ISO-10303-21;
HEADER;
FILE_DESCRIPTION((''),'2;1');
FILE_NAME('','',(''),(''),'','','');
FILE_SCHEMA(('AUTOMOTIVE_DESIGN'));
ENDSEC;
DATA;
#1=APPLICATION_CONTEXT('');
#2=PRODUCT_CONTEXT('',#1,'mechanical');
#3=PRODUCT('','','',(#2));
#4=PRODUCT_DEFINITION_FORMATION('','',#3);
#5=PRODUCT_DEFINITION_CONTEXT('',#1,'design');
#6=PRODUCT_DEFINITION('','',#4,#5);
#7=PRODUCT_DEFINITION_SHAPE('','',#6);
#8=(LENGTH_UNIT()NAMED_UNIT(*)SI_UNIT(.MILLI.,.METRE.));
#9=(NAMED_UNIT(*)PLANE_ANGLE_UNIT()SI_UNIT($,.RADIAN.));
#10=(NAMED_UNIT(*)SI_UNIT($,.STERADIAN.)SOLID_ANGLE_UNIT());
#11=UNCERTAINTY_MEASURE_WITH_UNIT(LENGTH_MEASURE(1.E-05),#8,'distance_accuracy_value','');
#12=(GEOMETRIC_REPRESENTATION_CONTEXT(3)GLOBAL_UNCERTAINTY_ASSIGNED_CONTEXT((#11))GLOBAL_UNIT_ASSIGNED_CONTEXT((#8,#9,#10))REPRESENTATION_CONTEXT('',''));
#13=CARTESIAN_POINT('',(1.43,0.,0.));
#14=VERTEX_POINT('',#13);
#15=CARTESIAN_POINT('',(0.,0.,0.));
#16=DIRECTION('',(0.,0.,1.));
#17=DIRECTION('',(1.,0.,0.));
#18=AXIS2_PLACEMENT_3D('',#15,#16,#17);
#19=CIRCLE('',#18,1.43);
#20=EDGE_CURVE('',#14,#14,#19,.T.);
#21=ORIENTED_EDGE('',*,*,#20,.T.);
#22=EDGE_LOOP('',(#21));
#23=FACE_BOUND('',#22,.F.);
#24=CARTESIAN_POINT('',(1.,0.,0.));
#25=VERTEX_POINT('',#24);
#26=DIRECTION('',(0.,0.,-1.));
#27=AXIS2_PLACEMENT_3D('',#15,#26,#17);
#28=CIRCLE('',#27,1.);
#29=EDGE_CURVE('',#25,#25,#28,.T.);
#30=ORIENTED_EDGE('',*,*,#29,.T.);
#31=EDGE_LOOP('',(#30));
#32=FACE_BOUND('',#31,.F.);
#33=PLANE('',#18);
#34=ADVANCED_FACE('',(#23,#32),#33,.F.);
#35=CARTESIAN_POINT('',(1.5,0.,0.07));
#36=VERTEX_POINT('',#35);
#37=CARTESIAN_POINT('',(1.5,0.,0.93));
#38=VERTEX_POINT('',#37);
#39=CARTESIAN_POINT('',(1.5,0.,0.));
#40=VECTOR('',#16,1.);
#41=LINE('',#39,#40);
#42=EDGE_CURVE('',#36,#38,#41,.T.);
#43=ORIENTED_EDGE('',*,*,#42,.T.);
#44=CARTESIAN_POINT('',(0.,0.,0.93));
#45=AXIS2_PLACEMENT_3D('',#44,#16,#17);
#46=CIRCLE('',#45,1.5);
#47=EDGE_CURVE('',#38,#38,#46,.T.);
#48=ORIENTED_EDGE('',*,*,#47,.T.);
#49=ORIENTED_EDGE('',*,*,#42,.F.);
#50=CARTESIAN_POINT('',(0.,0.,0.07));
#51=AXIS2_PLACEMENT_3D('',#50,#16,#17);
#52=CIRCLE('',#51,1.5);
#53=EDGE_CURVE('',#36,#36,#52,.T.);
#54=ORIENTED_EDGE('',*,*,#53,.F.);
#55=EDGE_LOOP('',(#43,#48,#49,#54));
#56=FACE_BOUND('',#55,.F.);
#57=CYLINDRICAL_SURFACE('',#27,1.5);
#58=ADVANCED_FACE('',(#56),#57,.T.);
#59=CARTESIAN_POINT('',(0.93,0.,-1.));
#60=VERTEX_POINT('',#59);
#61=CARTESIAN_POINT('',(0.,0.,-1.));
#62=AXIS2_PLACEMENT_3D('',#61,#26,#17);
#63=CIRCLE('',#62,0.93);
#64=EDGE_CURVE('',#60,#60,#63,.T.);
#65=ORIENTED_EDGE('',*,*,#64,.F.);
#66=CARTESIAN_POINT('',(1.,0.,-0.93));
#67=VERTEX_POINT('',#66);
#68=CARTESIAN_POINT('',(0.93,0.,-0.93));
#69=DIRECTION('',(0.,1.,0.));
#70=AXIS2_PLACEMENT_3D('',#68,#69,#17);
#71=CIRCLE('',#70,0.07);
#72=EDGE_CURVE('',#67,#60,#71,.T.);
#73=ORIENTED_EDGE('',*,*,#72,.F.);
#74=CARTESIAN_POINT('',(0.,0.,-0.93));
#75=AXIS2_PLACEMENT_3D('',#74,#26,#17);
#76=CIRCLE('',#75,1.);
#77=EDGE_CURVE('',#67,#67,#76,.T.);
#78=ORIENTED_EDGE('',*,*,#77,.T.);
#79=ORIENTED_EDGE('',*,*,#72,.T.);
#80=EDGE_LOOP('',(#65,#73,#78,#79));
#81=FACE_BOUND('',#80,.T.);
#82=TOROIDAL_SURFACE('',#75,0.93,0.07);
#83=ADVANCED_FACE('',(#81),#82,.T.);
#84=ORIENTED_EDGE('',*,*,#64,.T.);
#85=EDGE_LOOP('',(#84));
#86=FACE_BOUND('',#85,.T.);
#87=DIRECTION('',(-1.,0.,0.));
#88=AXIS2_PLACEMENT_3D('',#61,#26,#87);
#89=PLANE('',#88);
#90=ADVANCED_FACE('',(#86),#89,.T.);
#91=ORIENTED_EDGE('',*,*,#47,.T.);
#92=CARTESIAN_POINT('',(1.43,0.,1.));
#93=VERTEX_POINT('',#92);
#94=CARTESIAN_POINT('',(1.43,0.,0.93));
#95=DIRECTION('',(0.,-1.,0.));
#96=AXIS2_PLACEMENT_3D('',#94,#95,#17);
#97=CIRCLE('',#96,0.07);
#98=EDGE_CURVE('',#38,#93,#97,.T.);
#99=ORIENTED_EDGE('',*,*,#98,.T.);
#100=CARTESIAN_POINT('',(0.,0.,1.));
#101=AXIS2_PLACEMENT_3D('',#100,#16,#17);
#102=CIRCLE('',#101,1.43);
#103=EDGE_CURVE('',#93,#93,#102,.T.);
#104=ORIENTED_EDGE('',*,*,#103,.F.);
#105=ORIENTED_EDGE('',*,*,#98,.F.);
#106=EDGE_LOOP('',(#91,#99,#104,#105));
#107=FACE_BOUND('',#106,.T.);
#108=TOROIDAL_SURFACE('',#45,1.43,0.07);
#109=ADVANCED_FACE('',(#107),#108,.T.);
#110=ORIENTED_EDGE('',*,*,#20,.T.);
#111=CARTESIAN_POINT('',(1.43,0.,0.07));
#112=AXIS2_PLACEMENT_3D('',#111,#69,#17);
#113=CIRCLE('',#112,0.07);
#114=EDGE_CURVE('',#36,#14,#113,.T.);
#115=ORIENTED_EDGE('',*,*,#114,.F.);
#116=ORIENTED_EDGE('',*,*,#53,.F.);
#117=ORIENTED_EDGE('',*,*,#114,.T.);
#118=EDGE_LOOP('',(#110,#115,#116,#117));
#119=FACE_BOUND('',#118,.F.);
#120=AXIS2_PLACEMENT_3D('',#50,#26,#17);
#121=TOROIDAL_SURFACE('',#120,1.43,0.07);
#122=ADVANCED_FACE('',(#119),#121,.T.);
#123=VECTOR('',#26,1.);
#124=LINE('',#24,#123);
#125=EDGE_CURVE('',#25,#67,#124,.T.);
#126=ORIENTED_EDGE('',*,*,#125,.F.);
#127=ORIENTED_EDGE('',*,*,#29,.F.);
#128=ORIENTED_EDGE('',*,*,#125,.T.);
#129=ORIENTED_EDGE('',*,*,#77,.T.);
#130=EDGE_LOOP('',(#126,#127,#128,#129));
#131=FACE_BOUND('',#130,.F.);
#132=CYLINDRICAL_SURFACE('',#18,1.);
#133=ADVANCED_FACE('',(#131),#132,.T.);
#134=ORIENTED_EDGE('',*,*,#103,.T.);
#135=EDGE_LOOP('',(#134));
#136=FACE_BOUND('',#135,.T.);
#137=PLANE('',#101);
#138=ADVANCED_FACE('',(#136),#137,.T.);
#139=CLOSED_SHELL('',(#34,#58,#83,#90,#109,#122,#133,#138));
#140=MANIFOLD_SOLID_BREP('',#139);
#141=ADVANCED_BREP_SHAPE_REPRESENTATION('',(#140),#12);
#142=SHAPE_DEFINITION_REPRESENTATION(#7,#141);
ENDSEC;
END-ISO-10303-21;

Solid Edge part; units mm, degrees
sketch "Sketch1" plane through (0, 0, 0) normal (0, 0, 1) x (1, 0, 0)
  circle A0 centre (0, 0) radius 1.5
extrude "Protrusion1" add sketch "Sketch1" along normal blind 1
sketch "Sketch2" plane through (0, 0, 0) normal (0, 0, -1) x (1, 0, 0)
  circle A0 centre (0, 0) radius 1
extrude "ExtrudedProtrusion_2" add sketch "Sketch2" along normal blind 1
fillet "Round_1" radius 0.07 3 edges at (-1.5, 0, 1) (-1.5, 0, 0) (-1, 0, -1)
